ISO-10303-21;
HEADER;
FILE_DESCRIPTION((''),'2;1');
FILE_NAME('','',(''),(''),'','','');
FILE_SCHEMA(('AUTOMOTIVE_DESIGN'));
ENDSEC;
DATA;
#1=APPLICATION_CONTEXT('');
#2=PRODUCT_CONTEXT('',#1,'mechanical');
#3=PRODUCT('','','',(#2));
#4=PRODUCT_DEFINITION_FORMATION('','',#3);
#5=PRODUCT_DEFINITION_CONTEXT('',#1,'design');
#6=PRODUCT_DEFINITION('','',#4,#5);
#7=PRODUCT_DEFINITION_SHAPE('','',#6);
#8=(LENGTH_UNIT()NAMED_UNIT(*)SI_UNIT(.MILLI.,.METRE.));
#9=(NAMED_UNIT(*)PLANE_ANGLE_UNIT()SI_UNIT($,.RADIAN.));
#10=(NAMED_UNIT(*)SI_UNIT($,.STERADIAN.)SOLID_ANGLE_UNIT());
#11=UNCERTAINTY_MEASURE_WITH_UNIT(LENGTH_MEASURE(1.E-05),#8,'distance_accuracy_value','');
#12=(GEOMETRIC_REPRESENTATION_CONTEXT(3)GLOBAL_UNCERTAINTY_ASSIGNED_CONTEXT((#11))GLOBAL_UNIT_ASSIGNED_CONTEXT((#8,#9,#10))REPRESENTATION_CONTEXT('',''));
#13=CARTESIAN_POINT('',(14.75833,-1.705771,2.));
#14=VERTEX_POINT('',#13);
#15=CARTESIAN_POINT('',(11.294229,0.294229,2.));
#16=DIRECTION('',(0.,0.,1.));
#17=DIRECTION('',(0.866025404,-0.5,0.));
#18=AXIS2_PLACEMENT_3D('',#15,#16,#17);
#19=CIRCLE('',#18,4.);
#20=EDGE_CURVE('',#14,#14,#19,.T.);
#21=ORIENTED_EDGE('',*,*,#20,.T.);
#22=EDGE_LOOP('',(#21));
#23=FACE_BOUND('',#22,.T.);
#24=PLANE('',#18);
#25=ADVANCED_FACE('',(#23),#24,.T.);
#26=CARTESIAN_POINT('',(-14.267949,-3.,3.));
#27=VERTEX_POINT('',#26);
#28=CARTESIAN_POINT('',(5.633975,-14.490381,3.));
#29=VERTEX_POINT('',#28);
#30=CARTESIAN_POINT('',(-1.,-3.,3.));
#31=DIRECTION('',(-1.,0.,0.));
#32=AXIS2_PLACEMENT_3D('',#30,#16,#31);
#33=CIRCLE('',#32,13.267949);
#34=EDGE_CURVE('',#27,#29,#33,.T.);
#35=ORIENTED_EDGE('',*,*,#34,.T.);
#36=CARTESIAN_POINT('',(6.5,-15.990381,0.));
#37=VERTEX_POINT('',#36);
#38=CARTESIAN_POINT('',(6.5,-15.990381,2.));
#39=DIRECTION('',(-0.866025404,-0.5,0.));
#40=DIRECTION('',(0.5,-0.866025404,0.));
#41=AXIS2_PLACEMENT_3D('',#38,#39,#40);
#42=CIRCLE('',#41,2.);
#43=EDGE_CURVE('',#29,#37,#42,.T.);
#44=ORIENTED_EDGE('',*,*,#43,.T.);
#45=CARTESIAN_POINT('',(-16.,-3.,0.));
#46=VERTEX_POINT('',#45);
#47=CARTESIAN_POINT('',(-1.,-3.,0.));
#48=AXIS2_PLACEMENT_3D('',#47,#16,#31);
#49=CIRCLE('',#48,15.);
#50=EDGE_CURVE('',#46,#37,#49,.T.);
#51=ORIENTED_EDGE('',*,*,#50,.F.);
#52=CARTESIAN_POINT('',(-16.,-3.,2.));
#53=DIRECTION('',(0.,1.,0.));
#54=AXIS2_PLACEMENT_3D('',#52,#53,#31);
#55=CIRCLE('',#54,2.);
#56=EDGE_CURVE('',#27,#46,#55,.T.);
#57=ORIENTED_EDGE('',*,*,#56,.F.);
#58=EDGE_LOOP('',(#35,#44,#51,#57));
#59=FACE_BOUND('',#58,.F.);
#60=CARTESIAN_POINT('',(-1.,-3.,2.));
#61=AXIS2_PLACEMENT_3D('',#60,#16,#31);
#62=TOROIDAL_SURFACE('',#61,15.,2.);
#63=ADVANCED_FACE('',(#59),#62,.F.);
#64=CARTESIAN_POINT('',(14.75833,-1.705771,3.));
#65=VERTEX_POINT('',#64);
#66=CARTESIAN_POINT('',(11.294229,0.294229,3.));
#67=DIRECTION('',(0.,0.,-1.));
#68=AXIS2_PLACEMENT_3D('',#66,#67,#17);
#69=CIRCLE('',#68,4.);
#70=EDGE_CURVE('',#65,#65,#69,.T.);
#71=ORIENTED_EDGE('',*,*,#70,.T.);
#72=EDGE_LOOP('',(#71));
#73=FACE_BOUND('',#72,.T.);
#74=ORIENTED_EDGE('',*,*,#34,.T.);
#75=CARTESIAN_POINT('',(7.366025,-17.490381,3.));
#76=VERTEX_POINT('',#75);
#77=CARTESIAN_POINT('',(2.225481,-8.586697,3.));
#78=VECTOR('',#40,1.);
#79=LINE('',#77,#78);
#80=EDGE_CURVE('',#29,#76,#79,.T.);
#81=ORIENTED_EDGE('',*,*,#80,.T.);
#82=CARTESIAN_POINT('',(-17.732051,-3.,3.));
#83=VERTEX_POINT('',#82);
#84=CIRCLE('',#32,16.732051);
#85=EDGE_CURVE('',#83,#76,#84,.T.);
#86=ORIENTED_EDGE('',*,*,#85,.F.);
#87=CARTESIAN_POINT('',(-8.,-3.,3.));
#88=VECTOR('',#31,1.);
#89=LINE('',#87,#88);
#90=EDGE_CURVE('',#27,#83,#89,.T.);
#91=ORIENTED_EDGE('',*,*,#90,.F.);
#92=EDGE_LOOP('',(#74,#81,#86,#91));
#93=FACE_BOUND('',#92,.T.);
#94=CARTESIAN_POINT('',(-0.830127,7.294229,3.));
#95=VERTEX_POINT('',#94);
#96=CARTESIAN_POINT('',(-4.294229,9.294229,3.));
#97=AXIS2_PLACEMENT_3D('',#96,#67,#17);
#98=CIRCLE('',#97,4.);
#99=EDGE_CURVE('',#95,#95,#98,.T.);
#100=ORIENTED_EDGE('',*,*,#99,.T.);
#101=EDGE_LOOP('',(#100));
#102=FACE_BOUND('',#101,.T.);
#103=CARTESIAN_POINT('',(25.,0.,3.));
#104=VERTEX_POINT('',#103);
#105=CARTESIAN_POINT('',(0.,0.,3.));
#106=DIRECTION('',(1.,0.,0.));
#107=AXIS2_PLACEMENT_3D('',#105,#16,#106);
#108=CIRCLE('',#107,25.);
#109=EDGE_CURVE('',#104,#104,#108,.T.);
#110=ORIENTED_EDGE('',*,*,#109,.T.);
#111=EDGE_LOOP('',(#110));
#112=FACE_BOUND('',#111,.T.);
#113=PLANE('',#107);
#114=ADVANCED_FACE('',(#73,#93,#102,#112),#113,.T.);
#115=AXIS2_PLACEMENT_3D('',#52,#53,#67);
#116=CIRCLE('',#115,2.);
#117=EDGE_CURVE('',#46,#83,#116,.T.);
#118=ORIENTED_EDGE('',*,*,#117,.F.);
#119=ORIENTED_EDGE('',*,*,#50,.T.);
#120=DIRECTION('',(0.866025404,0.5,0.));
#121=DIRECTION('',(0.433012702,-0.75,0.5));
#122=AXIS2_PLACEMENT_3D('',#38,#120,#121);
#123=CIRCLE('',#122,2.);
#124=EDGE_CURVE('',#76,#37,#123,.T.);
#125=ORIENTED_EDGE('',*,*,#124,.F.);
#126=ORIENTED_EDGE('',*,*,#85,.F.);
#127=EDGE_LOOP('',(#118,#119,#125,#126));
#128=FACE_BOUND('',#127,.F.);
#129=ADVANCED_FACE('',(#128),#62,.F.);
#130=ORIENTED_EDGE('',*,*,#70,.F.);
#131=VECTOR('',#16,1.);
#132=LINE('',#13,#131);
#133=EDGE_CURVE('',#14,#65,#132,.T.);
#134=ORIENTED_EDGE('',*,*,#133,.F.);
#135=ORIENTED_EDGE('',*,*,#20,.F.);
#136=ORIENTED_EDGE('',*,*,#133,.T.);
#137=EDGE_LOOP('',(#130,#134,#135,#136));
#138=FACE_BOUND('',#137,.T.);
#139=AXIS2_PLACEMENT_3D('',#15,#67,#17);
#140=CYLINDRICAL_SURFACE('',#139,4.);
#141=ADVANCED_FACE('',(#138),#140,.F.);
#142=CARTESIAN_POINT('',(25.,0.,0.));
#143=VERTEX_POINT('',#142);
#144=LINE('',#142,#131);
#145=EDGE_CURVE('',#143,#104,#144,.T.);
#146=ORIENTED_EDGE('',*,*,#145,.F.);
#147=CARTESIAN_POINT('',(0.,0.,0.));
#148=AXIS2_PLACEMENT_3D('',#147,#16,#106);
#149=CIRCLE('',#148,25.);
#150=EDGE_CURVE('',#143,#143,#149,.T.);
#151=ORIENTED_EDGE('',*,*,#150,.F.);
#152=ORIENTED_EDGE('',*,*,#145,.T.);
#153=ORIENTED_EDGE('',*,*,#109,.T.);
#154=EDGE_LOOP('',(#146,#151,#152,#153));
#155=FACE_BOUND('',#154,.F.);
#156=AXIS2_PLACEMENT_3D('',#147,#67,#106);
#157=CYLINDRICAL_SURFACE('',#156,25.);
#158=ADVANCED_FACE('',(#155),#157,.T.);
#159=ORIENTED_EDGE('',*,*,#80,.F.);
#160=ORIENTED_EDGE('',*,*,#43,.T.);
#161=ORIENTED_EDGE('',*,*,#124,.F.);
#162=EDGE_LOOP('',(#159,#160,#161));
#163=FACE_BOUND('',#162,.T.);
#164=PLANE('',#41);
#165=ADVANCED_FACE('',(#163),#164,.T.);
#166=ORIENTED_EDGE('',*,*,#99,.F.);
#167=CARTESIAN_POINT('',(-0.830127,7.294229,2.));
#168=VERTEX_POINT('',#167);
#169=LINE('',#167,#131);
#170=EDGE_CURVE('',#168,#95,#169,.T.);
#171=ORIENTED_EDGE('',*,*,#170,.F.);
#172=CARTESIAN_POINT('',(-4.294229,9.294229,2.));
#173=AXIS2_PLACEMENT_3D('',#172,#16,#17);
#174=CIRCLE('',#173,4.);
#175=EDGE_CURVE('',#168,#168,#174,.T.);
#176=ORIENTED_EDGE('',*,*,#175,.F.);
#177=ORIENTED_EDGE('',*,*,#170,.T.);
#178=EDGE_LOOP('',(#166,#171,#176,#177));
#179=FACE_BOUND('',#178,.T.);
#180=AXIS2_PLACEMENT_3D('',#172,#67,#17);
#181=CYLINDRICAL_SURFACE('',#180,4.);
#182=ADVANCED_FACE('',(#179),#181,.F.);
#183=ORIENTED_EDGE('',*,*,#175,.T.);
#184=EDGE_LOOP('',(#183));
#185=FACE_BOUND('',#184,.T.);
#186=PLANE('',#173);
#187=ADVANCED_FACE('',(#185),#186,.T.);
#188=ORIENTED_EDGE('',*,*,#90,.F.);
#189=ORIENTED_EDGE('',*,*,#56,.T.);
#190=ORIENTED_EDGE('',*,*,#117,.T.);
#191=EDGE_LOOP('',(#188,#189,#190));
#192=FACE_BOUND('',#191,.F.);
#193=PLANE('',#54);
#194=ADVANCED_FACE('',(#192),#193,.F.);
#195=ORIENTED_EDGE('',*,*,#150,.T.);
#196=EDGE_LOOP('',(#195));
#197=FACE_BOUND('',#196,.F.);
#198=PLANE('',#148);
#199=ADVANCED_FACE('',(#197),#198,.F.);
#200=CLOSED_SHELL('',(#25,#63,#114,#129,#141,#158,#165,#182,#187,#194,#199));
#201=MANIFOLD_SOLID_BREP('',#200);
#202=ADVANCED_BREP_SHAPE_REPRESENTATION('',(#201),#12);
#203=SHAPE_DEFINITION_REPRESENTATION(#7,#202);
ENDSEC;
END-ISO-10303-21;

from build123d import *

# Parameters (mm, degrees)
CYLINDER001_R          = 4
CYLINDER001_DEPTH      = 2
CYLINDER002_R          = 4
CYLINDER002_DEPTH      = 2
FUSION_PLACEMENT_ANGLE = 30
TORUS_R                = 2
TORUS_ANGLE            = 120
CYLINDER_R             = 25
CYLINDER_DEPTH         = 3


with BuildPart() as ull1:
    # Cylinder001 → Cylinder001 (new body)
    with BuildSketch(Plane(origin=(9, 9, 2), x_dir=(1, 0, 0), z_dir=(0, 0, 1))):
        Circle(CYLINDER001_R)
    extrude(amount=CYLINDER001_DEPTH)


with BuildPart() as fusion:
    # Cylinder002 → Cylinder002 (new body)
    with BuildSketch(Plane(origin=(-9, 9, 2), x_dir=(1, 0, 0), z_dir=(0, 0, 1))):
        Circle(CYLINDER002_R)
    extrude(amount=CYLINDER002_DEPTH)

    # Fusion: union ull1
    add(ull1.part)


with BuildPart() as fusion_1:
    # Fusion placement: moved
    add(fusion.part.moved(Location((-1, -3, 0))).rotate(Axis((-1, -3, 0), (0, 0, -1)), FUSION_PLACEMENT_ANGLE))


with BuildPart() as torus:
    # Torus → Torus (revolve)
    with BuildSketch(Plane(origin=(-1, -3, 2), x_dir=(-1, 0, 0), z_dir=(0, 1, 0))):
        with Locations((15, 0)):
            Circle(TORUS_R)
    revolve(axis=Axis((-1, -3, 2), (0, 0, 1)), revolution_arc=TORUS_ANGLE)


with BuildPart() as cut001:
    # Cylinder → Cylinder (new body)
    with BuildSketch(Plane.XY):
        Circle(CYLINDER_R)
    extrude(amount=CYLINDER_DEPTH)

    # Cut: cut Torus
    add(torus.part, mode=Mode.SUBTRACT)

    # Cut001: cut Fusion
    add(fusion_1.part, mode=Mode.SUBTRACT)


solid = cut001.part
